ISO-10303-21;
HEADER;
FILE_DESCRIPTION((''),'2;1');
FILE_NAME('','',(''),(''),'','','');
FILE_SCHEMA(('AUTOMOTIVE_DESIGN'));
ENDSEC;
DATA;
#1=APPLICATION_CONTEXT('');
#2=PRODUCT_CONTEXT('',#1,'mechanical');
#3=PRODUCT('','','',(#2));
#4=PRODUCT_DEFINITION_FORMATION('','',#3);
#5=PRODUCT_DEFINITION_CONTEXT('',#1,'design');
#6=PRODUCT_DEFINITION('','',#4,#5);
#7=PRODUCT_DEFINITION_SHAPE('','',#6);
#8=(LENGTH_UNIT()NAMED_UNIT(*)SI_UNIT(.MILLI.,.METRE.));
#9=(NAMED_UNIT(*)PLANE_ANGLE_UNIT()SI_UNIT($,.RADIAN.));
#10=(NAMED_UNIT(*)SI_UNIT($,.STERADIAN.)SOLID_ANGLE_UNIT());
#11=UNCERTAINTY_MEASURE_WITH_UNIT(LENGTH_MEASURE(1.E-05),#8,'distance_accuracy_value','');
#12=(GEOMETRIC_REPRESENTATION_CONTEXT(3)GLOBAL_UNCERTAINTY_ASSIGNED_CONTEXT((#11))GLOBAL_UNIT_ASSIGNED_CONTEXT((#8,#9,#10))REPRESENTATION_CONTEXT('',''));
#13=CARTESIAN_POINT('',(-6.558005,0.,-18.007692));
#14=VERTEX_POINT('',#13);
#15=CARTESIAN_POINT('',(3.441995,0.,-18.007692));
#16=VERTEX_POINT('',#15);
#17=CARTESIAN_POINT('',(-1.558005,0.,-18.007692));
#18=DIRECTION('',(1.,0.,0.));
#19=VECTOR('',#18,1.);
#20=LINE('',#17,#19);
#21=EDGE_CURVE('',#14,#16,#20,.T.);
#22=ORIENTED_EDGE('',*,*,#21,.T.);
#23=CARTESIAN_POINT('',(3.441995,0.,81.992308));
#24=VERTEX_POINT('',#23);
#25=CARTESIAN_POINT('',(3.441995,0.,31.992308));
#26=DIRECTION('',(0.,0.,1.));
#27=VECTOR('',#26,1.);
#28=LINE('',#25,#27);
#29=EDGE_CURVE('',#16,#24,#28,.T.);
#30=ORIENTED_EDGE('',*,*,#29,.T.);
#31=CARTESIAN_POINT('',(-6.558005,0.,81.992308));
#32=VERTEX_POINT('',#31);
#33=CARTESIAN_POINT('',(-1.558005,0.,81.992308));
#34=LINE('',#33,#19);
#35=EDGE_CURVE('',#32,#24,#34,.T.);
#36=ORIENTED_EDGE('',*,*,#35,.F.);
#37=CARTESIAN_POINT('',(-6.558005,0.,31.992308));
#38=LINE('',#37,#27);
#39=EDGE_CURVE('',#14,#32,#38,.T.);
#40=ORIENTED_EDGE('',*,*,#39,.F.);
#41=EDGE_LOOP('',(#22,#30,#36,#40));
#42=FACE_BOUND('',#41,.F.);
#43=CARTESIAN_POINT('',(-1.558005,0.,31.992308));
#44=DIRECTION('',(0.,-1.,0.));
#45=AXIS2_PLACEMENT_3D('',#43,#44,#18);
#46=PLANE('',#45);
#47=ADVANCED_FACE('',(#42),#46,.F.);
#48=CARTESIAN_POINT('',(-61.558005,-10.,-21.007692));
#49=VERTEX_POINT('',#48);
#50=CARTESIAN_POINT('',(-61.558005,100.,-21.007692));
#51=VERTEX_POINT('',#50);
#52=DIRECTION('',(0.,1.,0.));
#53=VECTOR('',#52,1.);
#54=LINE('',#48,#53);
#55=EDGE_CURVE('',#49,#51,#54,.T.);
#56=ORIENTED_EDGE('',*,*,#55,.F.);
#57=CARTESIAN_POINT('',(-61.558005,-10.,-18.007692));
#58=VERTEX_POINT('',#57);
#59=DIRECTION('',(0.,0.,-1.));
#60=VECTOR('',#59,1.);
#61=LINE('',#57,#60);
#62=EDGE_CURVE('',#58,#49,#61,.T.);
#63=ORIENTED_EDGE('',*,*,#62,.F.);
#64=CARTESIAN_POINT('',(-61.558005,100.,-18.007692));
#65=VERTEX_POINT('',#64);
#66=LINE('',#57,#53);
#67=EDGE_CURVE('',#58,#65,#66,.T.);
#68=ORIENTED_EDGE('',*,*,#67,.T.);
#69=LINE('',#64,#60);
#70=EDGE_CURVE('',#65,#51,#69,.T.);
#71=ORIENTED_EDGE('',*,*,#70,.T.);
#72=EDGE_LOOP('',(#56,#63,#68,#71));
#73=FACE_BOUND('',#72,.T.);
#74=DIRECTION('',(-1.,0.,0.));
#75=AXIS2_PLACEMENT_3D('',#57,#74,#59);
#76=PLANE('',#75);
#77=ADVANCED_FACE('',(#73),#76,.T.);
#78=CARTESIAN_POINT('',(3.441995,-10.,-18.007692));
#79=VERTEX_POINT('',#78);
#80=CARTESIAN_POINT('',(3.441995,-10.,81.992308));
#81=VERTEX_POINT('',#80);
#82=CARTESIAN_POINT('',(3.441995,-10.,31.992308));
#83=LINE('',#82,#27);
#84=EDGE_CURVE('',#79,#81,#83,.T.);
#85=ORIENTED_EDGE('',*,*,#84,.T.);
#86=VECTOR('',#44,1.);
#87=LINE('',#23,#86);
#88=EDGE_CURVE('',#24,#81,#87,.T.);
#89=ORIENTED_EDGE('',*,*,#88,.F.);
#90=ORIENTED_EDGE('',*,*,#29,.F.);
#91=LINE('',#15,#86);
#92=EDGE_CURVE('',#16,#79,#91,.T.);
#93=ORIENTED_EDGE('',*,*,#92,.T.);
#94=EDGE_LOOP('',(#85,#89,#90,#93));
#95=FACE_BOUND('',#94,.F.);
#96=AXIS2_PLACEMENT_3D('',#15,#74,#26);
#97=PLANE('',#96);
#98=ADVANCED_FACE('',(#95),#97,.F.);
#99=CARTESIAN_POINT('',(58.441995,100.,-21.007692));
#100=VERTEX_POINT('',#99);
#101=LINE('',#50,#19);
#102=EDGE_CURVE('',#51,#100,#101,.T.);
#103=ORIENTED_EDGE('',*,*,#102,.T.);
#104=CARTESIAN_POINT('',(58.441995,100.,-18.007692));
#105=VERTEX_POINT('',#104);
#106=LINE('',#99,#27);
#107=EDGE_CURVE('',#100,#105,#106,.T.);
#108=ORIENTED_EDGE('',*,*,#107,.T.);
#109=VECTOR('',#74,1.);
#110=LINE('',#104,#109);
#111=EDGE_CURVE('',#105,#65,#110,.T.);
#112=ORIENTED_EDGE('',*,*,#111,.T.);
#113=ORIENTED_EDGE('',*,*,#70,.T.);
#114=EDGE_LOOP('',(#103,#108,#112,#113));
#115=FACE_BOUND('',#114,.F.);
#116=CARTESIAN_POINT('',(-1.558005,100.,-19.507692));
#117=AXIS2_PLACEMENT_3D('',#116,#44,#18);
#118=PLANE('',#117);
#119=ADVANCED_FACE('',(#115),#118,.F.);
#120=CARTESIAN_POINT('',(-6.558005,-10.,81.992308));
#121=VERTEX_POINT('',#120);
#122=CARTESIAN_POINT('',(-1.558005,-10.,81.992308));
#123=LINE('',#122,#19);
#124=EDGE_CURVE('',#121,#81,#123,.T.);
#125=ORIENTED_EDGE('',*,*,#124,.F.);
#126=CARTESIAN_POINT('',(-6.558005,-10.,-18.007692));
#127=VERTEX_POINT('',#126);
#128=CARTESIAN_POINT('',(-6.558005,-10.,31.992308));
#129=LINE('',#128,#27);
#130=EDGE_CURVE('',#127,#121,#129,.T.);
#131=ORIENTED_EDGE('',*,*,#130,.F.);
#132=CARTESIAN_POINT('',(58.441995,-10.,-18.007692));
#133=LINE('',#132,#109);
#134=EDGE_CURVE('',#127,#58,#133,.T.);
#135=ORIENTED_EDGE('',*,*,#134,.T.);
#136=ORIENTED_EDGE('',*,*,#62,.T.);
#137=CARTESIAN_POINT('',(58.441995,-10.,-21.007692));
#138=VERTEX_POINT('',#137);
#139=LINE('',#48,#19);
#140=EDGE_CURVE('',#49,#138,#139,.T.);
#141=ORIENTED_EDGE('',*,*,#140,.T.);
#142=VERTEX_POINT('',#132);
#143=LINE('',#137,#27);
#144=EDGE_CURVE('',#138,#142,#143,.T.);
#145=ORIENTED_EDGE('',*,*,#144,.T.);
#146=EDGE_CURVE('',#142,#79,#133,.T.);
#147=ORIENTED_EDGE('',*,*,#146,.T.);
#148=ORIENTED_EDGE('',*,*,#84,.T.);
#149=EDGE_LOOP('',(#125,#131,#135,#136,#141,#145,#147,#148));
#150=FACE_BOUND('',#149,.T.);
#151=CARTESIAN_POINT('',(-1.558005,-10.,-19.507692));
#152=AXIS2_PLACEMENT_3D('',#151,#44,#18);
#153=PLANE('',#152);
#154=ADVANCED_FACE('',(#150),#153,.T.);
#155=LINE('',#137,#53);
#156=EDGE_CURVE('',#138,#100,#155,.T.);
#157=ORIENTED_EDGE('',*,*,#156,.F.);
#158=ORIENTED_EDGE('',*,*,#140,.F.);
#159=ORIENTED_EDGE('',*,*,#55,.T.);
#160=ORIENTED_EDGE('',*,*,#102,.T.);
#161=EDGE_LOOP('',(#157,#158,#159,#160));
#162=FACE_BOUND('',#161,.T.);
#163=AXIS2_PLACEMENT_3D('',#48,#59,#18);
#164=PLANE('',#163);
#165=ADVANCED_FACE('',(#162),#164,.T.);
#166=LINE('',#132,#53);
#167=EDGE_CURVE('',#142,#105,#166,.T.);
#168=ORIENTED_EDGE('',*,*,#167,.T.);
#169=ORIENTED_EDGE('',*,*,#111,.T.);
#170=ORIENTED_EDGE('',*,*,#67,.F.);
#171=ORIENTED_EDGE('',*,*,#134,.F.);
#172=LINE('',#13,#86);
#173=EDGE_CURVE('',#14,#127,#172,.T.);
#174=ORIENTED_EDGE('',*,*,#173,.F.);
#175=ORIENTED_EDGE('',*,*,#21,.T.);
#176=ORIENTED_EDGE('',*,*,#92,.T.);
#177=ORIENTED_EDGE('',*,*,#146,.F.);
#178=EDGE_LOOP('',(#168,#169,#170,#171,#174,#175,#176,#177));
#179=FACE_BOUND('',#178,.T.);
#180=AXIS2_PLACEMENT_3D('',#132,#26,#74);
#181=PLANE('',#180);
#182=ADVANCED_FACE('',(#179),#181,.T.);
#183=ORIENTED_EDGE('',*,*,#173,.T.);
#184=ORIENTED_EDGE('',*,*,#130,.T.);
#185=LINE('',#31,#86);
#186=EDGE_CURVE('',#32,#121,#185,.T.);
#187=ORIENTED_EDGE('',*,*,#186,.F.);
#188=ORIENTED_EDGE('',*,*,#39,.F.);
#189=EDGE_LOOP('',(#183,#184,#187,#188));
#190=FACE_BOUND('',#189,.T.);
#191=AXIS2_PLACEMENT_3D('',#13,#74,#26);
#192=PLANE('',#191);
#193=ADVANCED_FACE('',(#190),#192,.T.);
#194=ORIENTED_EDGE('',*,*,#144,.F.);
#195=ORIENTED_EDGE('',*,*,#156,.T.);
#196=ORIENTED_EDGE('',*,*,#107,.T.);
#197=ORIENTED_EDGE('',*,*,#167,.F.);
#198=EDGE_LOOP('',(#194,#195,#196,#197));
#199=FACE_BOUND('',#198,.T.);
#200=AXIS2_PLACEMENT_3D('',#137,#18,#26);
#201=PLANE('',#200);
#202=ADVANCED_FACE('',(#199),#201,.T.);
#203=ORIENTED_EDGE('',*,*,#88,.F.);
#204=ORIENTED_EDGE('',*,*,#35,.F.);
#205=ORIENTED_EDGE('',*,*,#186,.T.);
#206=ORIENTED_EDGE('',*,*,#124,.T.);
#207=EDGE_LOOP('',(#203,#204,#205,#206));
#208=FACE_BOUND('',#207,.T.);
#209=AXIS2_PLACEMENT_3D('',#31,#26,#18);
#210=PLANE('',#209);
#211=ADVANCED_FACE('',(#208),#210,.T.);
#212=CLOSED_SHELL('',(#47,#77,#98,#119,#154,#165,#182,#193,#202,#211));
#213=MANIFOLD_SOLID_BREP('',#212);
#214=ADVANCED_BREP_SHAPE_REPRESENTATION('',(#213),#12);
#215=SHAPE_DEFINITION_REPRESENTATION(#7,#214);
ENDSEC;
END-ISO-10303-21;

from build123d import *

# Parameters (mm, degrees)
F0_W     = 10
F0_H     = 100
F1_DEPTH = 10
F3_DEPTH = 110


with BuildPart() as f1:
    # F0 (on Front) → F1 (new body)
    with BuildSketch(Plane.XZ):
        with Locations((-1.558005, 31.992308)):
            Rectangle(F0_W, F0_H)
    extrude(amount=F1_DEPTH)

    # F2 (on face) → F3 (join)
    with BuildSketch(Plane.XZ.offset(10)):
        Polygon((3.441995, -18.007692), (-6.558005, -18.007692), (-61.558005, -18.007692), (-61.558005, -21.007692), (58.441995, -21.007692), (58.441995, -18.007692), align=None)
    extrude(amount=-F3_DEPTH)


solid = f1.part
